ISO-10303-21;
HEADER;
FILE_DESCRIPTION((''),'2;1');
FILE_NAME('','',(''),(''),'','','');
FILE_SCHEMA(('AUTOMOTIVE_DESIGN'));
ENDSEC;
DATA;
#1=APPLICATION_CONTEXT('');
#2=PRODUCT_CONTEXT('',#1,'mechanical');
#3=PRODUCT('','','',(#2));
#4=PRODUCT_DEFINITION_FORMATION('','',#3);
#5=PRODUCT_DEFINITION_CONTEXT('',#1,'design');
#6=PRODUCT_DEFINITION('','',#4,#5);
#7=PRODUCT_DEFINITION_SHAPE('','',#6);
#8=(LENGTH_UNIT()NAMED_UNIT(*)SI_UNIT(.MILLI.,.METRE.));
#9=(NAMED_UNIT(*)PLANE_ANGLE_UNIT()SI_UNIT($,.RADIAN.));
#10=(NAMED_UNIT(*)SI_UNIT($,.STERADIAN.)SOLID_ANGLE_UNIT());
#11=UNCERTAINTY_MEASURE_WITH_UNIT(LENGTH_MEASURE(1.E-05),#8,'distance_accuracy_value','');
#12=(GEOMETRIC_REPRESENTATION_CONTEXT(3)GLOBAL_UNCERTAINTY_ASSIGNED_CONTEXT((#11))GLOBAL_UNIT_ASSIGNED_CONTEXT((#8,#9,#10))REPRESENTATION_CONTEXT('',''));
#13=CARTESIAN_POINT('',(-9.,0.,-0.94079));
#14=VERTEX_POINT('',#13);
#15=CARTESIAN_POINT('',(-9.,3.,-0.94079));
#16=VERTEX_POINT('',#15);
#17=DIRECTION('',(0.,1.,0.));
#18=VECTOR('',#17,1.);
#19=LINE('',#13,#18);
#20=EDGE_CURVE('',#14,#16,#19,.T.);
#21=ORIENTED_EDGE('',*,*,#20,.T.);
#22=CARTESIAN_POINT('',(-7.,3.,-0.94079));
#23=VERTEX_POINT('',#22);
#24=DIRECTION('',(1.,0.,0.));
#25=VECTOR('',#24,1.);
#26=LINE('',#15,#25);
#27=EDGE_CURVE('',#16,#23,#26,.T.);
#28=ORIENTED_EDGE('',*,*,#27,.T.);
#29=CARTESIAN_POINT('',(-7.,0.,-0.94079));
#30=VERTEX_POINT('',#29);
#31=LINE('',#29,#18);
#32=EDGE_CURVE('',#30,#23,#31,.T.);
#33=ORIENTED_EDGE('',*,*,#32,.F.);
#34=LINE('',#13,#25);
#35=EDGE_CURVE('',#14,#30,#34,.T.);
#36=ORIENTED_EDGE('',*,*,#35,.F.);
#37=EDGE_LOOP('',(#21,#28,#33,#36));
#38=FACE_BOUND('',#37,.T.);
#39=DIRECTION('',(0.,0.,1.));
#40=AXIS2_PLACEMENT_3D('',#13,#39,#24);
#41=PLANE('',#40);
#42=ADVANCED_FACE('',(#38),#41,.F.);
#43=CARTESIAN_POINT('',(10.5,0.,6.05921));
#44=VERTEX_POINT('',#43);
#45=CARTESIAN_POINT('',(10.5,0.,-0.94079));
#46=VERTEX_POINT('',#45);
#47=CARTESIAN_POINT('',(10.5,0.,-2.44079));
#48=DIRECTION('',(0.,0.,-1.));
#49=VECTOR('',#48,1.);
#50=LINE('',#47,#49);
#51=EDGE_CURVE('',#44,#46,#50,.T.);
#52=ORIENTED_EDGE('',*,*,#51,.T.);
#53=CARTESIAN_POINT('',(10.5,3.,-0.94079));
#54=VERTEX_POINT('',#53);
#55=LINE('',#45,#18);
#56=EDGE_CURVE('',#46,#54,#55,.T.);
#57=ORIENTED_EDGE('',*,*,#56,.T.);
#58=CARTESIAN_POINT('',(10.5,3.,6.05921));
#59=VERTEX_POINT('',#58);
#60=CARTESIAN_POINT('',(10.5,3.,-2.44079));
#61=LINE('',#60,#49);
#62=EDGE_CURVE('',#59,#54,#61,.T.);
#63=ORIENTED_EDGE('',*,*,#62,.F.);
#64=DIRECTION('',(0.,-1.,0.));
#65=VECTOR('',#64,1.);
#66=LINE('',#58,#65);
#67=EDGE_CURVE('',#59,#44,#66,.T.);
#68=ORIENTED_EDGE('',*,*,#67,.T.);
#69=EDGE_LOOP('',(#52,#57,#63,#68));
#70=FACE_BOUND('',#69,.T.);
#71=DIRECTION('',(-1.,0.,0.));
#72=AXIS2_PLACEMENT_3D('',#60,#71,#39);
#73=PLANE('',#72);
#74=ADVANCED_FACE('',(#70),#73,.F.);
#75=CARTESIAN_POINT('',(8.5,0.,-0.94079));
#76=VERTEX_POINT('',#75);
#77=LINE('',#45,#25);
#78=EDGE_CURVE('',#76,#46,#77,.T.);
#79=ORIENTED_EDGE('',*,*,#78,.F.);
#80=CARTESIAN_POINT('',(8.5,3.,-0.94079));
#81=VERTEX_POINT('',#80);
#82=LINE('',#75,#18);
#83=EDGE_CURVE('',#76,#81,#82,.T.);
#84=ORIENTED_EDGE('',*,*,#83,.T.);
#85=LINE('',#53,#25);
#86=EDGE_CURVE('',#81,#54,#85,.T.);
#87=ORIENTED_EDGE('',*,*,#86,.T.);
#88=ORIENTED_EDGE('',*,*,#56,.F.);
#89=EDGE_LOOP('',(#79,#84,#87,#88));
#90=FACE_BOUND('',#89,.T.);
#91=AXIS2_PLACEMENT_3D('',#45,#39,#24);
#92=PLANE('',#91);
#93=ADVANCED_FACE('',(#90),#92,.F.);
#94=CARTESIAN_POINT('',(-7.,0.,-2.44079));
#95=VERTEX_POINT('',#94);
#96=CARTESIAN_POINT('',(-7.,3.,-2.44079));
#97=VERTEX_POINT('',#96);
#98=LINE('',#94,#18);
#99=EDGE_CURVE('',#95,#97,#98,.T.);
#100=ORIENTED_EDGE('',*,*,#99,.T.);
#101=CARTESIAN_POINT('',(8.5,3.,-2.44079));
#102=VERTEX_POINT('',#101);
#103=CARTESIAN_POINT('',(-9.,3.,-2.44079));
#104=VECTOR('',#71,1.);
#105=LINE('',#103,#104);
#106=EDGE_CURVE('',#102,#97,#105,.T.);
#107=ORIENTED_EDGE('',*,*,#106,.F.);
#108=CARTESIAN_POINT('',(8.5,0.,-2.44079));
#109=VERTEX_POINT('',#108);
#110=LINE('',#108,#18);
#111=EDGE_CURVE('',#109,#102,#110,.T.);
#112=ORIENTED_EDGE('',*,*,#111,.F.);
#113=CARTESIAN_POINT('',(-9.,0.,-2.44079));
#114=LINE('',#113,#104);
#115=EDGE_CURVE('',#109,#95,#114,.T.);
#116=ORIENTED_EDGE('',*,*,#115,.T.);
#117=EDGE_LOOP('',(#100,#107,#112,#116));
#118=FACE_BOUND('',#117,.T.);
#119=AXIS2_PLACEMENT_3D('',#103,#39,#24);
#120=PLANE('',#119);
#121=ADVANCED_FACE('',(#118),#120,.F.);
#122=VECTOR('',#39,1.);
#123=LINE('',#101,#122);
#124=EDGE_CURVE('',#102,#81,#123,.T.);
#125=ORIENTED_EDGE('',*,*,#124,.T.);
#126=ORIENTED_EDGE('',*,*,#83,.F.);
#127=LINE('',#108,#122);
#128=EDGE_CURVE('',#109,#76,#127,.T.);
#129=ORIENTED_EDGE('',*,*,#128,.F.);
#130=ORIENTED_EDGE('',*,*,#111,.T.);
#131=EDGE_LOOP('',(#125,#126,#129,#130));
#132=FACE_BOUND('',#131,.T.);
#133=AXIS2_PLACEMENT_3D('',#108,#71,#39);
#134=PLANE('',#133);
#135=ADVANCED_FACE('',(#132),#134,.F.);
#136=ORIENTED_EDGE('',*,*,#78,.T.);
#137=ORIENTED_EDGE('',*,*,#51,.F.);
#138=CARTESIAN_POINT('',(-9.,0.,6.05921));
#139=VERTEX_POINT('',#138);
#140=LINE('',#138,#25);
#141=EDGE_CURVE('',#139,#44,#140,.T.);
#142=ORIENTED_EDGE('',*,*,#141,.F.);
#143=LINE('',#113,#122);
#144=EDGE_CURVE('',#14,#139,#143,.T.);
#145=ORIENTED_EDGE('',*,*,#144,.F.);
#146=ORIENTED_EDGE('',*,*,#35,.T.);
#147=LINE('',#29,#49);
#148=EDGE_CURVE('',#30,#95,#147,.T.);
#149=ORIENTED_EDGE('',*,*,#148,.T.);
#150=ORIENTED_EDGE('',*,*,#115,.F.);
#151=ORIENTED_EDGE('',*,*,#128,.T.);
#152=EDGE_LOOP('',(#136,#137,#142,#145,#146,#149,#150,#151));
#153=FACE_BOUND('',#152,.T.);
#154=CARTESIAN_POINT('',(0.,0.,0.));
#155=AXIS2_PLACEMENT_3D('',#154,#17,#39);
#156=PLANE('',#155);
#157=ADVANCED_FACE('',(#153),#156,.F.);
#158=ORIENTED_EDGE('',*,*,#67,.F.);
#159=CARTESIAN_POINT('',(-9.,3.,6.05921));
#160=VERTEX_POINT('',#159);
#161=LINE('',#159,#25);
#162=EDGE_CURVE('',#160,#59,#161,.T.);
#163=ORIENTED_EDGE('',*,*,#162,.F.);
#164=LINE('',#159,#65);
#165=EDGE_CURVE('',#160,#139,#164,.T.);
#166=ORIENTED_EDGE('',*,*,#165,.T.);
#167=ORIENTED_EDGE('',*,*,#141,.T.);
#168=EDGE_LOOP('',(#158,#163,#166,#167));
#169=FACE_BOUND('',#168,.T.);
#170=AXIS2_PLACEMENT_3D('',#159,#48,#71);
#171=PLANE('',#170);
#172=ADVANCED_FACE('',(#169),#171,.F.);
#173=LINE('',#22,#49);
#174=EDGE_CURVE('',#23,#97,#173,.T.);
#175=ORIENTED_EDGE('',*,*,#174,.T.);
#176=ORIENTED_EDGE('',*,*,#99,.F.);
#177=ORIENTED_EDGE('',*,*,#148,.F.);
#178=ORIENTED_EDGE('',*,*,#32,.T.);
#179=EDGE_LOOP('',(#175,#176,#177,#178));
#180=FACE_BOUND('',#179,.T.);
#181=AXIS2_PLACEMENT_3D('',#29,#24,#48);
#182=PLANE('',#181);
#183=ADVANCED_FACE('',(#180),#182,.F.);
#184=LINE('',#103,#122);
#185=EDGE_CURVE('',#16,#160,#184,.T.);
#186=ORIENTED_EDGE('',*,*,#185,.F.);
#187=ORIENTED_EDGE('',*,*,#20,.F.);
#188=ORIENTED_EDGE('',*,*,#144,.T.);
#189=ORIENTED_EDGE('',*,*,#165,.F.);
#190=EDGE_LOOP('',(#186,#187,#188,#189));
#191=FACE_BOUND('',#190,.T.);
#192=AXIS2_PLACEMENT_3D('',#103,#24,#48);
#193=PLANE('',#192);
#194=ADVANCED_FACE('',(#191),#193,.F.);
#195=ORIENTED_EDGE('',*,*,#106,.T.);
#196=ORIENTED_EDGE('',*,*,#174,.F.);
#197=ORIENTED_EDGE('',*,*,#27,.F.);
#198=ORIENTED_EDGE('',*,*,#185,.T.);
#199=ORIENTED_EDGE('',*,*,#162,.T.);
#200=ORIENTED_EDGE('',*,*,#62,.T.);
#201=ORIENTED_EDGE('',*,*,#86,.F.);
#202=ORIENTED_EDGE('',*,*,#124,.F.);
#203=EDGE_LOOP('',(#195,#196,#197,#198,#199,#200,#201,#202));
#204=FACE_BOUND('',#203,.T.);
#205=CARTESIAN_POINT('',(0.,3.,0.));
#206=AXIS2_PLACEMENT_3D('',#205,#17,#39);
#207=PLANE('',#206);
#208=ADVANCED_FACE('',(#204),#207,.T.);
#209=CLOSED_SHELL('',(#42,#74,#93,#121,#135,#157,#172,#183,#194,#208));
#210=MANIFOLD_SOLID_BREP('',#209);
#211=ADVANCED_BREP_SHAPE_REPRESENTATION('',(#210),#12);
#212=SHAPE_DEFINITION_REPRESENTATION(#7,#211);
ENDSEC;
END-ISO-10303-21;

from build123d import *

# Parameters (mm, degrees)
SKETCH1_W           = 19.5
SKETCH1_H           = 8.5
BOSS_EXTRUDE1_DEPTH = 3
SKETCH2_W           = 2
SKETCH2_H           = 1.5
CUT_EXTRUDE1_DEPTH  = 13.488555679


with BuildPart() as part:
    # Sketch1 → Boss-Extrude1 (new body)
    with BuildSketch(Plane(origin=(0, 0, 0), x_dir=(1, 0, 0), z_dir=(0, 1, 0))):
        with Locations((0.75, -1.809209762)):
            Rectangle(SKETCH1_W, SKETCH1_H)
    extrude(amount=BOSS_EXTRUDE1_DEPTH)

    # Sketch2 → Cut-Extrude1 (cut, through all)
    with BuildSketch(Plane(origin=(0, 3, 0), x_dir=(1, 0, 0), z_dir=(0, 1, 0))):
        with Locations((-8, 1.690790238)):
            Rectangle(SKETCH2_W, SKETCH2_H)
        with Locations((9.5, 1.690790238)):
            Rectangle(SKETCH2_W, SKETCH2_H)
    extrude(amount=-CUT_EXTRUDE1_DEPTH, mode=Mode.SUBTRACT)


solid = part.part
